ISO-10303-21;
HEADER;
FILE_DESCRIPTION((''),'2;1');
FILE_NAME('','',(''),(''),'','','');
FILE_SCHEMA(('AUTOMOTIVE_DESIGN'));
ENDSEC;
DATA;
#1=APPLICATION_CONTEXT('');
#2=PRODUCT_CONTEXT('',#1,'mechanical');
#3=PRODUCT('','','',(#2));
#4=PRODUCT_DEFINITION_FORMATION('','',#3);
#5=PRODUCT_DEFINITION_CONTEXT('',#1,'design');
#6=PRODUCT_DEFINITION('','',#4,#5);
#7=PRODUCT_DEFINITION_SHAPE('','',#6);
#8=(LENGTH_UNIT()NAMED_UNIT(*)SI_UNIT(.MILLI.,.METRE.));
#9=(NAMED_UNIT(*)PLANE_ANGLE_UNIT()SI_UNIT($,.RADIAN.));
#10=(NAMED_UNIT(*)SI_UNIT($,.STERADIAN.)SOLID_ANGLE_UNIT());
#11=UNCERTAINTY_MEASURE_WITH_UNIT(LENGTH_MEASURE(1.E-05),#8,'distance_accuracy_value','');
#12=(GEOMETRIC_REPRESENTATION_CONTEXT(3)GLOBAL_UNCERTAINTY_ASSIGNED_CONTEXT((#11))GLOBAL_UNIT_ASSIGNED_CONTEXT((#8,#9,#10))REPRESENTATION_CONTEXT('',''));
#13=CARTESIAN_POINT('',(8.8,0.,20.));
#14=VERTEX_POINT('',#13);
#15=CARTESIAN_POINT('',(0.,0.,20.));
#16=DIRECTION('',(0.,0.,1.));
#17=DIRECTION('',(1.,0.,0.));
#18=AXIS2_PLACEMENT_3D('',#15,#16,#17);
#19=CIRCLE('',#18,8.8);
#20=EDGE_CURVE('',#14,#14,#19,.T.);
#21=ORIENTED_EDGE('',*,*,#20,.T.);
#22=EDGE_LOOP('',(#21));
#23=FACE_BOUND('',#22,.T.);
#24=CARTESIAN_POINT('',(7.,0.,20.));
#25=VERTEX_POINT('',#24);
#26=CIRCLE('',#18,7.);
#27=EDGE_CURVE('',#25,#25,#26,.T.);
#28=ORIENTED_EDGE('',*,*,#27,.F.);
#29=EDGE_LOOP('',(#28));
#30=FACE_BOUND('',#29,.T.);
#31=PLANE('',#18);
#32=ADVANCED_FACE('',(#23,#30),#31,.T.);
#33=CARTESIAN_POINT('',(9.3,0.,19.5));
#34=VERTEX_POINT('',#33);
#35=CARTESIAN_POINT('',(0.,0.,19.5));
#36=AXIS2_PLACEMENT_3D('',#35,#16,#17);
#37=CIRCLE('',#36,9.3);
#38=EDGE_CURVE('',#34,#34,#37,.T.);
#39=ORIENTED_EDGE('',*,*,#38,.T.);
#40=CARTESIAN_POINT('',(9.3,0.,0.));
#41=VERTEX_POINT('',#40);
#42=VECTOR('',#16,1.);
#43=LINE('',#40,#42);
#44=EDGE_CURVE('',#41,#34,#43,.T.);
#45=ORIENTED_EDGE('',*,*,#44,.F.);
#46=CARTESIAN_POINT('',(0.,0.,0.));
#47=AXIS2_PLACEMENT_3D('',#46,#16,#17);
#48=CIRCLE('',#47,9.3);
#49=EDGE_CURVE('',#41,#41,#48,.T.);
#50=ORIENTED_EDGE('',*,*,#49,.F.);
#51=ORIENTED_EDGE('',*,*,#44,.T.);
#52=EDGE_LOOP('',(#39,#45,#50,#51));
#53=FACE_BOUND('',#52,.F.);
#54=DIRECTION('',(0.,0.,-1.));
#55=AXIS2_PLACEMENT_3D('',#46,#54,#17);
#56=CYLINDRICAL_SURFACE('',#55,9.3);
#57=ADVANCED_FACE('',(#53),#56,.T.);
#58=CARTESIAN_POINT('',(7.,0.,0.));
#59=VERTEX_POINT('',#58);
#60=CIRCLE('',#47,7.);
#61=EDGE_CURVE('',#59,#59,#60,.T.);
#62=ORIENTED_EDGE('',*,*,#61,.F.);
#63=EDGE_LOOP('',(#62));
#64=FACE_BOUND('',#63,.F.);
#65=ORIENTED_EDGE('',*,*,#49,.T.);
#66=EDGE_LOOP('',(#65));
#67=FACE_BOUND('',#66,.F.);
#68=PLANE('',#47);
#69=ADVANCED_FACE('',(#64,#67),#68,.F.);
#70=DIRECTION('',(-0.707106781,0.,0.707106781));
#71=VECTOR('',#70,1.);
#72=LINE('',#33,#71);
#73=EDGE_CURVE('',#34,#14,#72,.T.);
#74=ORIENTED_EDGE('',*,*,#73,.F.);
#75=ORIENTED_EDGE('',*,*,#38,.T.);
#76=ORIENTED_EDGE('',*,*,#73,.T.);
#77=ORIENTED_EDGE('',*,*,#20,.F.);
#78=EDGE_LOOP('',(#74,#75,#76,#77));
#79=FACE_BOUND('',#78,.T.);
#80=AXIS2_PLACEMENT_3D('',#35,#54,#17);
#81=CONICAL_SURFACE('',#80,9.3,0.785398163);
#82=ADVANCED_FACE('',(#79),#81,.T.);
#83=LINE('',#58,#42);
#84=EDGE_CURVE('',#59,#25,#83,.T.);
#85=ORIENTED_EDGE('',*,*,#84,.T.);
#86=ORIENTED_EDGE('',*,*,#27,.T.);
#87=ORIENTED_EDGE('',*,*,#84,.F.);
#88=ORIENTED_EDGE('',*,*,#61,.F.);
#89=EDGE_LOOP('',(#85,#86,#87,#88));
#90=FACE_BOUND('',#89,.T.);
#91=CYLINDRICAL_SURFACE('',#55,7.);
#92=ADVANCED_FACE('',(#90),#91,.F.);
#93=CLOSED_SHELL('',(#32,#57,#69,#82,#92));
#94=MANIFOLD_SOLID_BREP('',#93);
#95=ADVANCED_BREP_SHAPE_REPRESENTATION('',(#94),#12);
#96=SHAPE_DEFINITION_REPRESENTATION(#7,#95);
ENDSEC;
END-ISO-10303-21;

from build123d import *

# Parameters (mm, degrees)
SKETCH_R     = 9.3
SKETCH_R_2   = 7
PAD_DEPTH    = 20
CHAMFER_SIZE = 0.5


with BuildPart() as part:
    # Sketch → Pad (new body)
    with BuildSketch(Plane.XY):
        Circle(SKETCH_R)
        Circle(SKETCH_R_2, mode=Mode.SUBTRACT)
    extrude(amount=PAD_DEPTH)

    # Chamfer
    chamfer_edges = [part.edges().sort_by_distance(p)[0] for p in [
        (-9.3, 0, 20),
    ]]
    chamfer(chamfer_edges, length=CHAMFER_SIZE)


solid = part.part
